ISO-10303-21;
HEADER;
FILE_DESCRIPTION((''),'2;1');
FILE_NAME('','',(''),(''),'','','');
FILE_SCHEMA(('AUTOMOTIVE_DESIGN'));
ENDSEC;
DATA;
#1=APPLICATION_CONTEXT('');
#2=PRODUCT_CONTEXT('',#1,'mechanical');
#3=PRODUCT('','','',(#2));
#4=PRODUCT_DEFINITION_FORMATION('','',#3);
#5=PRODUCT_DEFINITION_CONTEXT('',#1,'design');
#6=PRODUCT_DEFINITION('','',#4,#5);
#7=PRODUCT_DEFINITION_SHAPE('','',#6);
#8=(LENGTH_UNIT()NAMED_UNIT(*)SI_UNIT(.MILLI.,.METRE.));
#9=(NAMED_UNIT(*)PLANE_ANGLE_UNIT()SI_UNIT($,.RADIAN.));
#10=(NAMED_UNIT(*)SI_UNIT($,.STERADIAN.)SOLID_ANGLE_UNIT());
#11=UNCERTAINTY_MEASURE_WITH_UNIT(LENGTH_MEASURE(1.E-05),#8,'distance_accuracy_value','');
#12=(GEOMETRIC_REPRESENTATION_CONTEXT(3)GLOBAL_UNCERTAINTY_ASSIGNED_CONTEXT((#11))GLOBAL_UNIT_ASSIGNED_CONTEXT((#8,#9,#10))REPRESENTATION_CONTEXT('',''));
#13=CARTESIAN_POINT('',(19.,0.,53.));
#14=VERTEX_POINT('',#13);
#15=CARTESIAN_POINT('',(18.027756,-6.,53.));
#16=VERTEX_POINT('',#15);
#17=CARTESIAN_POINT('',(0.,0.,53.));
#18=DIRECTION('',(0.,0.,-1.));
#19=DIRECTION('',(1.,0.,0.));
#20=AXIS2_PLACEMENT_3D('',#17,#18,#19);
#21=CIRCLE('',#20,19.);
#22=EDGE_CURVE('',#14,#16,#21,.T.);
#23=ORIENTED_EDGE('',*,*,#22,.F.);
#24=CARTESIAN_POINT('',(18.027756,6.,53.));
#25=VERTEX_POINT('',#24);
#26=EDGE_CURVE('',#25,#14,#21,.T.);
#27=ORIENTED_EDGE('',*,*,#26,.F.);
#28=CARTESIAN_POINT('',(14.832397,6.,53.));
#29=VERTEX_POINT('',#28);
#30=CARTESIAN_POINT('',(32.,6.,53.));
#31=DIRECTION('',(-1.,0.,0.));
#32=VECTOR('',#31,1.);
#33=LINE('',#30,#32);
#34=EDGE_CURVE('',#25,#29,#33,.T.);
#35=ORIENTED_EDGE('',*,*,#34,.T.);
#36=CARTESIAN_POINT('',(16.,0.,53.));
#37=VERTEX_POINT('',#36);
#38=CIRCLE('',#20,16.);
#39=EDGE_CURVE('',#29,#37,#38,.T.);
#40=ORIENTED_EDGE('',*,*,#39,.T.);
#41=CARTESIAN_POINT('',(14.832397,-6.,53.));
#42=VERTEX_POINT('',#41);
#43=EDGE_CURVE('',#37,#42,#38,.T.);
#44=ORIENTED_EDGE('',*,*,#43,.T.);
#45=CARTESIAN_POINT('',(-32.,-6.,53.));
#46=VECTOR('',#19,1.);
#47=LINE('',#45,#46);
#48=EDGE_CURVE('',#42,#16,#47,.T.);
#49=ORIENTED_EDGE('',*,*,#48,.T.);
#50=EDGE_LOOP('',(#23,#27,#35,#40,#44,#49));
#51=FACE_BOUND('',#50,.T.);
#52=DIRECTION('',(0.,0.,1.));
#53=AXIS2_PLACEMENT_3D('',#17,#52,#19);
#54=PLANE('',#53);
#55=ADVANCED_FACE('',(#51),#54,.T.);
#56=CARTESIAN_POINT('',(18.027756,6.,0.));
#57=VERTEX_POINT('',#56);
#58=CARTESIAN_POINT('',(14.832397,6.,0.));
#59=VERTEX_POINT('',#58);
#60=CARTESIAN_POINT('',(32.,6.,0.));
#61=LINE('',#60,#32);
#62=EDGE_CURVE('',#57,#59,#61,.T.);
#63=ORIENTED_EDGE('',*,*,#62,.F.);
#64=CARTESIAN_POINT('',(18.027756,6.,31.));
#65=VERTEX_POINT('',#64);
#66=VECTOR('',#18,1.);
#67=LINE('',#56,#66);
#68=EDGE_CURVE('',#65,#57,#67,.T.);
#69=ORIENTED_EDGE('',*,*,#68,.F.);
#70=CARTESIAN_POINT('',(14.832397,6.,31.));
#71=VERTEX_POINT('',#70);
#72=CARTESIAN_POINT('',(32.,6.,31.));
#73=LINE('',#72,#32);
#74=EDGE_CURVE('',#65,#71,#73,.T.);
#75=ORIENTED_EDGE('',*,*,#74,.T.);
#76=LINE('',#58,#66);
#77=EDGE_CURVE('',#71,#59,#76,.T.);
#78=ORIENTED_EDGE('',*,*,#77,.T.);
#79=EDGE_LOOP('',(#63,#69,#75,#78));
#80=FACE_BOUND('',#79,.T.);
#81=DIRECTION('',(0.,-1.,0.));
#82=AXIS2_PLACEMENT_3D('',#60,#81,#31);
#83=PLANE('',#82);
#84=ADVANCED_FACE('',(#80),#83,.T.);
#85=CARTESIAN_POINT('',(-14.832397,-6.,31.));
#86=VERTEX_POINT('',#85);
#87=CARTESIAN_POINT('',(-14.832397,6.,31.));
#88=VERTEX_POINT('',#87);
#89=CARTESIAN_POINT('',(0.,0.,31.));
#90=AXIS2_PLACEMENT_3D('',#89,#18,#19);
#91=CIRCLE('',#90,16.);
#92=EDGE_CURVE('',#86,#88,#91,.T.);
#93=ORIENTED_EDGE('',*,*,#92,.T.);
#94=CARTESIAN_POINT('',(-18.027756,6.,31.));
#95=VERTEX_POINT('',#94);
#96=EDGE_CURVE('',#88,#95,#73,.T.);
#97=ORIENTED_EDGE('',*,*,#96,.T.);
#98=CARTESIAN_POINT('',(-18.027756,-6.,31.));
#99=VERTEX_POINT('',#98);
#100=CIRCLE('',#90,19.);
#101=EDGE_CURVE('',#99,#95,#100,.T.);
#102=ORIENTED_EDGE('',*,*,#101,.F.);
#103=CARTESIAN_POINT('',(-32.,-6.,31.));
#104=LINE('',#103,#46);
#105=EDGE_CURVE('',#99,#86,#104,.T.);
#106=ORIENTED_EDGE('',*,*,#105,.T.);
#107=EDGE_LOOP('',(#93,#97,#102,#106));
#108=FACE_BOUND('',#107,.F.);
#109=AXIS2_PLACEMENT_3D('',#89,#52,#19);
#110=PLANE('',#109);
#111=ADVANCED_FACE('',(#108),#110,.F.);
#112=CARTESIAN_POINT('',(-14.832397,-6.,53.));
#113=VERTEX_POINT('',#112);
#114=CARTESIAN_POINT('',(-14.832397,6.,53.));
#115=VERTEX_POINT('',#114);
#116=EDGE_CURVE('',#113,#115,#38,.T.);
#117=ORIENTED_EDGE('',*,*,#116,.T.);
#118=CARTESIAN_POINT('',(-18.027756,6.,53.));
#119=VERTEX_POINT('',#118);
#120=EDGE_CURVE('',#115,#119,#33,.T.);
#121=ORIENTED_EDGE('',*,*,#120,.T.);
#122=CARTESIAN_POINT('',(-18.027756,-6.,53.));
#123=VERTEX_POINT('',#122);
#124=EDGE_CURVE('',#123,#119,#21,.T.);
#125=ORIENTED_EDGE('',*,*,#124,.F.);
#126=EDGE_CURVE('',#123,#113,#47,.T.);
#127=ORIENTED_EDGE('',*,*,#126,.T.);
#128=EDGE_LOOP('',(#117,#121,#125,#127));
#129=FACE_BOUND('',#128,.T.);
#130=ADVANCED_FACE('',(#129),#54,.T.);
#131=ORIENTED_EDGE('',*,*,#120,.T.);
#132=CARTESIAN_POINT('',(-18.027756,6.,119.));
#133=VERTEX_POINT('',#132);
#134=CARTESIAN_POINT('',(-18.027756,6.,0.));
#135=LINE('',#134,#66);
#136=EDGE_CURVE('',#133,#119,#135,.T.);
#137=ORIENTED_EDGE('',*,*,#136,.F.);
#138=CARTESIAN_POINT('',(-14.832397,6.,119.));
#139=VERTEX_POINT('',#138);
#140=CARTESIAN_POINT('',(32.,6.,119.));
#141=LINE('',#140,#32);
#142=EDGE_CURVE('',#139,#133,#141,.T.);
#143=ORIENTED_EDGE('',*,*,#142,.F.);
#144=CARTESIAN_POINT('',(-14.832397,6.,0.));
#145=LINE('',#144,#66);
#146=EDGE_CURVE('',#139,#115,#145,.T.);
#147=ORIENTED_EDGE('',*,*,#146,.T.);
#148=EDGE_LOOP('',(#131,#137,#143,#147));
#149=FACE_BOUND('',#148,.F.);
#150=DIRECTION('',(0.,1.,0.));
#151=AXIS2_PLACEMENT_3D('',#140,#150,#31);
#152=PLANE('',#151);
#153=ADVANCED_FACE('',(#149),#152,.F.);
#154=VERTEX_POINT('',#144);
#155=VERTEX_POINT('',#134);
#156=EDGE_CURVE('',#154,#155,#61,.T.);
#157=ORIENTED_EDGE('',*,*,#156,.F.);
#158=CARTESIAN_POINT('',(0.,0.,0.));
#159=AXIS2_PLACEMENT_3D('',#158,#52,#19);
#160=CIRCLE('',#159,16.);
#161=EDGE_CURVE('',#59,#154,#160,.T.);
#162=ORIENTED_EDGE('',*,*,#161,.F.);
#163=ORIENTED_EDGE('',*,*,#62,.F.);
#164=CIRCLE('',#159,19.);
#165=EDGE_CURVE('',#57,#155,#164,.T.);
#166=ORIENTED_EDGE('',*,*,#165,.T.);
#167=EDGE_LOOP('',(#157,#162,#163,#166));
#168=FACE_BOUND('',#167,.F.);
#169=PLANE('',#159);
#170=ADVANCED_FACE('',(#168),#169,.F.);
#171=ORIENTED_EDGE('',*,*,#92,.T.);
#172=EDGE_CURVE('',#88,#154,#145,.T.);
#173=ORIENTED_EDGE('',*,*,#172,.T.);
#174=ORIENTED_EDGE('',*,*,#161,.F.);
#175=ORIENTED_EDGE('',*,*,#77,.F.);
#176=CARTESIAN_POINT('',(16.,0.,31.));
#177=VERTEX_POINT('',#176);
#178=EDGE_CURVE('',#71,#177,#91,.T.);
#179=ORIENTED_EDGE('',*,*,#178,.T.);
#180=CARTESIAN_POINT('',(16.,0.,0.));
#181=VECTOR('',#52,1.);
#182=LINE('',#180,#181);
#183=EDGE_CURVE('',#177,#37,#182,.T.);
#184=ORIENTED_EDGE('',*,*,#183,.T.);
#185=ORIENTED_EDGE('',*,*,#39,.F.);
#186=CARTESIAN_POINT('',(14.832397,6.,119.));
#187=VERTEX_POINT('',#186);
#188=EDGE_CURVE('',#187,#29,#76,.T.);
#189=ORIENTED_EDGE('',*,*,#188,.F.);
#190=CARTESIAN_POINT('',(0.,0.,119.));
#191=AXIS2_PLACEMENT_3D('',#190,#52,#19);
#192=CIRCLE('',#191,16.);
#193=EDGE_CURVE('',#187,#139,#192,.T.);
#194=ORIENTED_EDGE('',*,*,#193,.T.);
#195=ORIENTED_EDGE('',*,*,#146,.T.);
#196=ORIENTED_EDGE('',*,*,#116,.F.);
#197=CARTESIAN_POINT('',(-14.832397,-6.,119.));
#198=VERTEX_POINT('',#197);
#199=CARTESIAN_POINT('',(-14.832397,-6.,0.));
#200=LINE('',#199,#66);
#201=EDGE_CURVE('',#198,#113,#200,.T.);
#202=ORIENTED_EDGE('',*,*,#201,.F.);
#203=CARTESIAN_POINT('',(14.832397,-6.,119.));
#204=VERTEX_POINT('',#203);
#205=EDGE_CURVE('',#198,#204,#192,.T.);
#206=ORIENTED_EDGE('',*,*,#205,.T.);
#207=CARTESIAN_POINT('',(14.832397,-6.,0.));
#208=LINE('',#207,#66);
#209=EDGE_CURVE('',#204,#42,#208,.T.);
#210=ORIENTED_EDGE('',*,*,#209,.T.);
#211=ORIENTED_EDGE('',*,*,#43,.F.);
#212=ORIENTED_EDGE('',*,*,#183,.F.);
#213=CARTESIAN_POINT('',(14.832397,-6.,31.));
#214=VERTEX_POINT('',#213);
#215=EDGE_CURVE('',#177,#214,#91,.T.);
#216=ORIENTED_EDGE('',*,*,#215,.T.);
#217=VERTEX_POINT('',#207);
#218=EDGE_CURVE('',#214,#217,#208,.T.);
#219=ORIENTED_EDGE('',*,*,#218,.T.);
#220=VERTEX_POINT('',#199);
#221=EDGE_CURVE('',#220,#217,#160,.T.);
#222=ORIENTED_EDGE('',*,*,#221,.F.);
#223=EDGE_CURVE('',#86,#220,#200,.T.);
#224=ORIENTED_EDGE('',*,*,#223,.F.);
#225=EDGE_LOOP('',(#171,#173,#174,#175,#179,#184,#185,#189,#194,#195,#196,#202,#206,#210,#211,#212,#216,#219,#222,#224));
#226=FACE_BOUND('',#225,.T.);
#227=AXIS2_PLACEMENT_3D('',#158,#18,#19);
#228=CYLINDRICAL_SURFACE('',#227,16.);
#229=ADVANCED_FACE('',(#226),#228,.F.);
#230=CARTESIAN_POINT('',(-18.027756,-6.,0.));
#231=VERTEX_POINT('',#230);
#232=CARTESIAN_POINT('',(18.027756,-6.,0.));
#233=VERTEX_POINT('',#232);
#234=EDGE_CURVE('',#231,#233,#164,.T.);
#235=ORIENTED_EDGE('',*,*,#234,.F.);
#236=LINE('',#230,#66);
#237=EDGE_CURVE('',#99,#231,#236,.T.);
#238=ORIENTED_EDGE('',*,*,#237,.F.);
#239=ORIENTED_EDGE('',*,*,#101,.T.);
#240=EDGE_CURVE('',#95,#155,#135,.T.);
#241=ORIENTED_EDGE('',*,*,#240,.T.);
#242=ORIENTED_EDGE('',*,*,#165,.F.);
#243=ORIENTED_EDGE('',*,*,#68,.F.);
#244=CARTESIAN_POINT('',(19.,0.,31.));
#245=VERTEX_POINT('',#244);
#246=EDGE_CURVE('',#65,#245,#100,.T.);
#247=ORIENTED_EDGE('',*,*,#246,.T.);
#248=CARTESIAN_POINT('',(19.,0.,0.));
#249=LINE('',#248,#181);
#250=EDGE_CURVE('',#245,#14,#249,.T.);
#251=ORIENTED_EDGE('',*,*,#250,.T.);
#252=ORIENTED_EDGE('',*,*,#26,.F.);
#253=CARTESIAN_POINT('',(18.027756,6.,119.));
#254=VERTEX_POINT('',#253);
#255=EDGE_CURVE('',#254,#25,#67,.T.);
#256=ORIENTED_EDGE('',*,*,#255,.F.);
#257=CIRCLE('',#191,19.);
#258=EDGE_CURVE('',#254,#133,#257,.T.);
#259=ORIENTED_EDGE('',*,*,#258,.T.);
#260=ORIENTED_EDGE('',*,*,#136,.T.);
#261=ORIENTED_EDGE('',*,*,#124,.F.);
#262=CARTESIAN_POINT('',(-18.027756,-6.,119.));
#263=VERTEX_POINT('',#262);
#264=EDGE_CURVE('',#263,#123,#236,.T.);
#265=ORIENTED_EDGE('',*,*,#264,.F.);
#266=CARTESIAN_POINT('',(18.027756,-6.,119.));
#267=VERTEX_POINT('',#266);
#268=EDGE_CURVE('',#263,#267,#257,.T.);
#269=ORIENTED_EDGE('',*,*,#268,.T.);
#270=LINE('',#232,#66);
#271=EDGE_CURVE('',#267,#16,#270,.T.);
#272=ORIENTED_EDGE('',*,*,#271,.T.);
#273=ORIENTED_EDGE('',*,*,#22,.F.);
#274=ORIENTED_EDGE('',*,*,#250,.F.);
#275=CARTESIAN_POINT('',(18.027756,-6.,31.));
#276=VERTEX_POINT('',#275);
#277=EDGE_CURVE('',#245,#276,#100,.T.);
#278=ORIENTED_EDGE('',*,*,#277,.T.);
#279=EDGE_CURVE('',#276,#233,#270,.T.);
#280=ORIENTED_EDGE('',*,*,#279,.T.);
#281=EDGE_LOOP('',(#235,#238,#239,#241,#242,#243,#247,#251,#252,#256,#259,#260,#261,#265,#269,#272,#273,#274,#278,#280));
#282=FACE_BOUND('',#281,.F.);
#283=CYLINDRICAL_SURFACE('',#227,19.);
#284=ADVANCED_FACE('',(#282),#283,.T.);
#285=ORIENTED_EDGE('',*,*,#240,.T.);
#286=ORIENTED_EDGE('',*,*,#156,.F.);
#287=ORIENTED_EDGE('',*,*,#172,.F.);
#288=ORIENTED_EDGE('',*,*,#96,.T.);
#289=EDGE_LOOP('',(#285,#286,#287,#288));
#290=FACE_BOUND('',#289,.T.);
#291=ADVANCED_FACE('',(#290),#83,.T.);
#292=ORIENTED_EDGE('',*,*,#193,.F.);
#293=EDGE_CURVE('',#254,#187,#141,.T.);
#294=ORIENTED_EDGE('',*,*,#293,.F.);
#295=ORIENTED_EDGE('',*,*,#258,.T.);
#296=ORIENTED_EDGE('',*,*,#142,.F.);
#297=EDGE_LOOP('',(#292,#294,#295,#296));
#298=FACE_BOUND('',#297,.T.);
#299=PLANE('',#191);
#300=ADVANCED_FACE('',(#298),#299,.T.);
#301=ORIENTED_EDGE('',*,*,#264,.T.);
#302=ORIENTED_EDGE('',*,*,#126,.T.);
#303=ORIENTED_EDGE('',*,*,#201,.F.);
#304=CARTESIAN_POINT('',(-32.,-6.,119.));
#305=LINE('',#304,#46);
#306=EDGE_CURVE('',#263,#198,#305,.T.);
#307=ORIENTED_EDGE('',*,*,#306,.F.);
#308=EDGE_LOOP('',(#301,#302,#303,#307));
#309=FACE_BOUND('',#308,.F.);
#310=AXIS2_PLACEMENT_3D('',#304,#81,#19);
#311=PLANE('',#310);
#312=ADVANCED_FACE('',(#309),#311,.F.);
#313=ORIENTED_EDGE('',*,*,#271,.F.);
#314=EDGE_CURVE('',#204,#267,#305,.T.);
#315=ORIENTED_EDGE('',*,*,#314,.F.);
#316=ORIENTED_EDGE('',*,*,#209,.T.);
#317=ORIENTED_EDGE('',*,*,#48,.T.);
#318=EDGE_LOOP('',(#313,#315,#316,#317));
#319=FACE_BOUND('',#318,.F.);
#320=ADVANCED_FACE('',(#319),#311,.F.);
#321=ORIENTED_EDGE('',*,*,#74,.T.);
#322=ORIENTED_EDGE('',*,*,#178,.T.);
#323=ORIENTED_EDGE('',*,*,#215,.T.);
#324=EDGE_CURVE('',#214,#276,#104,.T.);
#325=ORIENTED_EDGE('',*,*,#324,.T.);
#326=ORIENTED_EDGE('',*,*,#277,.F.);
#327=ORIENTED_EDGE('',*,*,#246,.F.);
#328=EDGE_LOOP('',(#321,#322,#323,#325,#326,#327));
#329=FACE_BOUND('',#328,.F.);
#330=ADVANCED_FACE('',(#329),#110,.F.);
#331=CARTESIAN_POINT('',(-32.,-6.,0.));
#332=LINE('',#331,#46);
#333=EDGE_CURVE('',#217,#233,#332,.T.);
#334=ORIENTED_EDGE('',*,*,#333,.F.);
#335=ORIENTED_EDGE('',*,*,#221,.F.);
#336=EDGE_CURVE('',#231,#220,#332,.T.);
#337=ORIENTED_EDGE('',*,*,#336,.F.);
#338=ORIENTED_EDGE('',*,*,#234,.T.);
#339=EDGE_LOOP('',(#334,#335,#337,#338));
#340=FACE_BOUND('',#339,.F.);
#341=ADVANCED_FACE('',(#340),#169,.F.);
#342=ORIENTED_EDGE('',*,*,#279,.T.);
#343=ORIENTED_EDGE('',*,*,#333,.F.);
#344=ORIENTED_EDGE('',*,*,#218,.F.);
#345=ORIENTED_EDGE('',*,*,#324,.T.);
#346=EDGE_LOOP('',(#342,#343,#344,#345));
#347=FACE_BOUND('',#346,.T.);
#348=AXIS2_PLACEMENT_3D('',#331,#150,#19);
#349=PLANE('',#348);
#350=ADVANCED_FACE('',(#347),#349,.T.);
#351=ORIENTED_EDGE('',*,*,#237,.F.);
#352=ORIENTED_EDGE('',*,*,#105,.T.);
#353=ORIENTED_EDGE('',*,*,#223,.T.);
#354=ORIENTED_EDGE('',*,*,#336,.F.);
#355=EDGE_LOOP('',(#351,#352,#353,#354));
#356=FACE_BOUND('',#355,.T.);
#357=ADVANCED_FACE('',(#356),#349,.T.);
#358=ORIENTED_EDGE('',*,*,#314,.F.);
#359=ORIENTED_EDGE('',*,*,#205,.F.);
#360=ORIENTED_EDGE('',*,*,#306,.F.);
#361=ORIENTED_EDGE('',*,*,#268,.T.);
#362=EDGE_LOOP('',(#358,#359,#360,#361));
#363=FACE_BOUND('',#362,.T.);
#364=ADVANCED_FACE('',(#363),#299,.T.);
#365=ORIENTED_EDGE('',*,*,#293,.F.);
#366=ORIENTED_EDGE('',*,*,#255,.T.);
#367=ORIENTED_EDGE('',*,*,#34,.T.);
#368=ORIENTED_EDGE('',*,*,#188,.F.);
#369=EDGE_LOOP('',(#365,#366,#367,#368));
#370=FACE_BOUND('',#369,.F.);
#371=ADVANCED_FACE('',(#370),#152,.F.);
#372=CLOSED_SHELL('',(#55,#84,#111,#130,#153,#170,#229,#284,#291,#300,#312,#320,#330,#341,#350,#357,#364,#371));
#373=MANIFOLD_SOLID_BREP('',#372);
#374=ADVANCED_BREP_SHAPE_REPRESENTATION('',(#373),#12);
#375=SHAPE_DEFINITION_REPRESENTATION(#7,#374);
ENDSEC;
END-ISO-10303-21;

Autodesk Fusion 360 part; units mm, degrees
sketch "Sketch1" plane through (0, 0, 0) normal (0, 0, 1) x (1, 0, 0)
  circle A0 centre (0, 0) radius 19
  circle A1 centre (0, 0) radius 16
  dimension "d6" = 38
  dimension "d7" = 32
extrude "Extrude1" add sketch "Sketch1" along normal blind 119
sketch "Sketch2" plane through (0, 0, 0) normal (0, 0, 1) x (1, 0, 0)
  line L0 (32, 6) -> (-32, 6)
  line L1 (-32, 6) -> (-32, -6)
  line L2 (-32, -6) -> (32, -6)
  line L3 (32, -6) -> (32, 6)
  line L4 (32, 6) -> (-32, -6) construction
  line L5 (-32, 6) -> (32, -6) construction
  dimension "d10" = 64
  dimension "d11" = 12
extrude "Extrude2" cut sketch "Sketch2" along normal blind 31
ref_plane "WorkPlane1" through (0, 0, 119) normal (0, 0, 1) x (1, 0, 0)
sketch "Sketch3" plane through (0, 0, 119) normal (0, 0, 1) x (1, 0, 0)
  line L0 (32, 6) -> (-32, 6)
  line L1 (-32, 6) -> (-32, -6)
  line L2 (-32, -6) -> (32, -6)
  line L3 (32, -6) -> (32, 6)
  line L4 (32, 6) -> (-32, -6) construction
  line L5 (-32, 6) -> (32, -6) construction
  dimension "d15" = 64
  dimension "d16" = 12
extrude "Extrude3" cut sketch "Sketch3" against normal blind 66
equation "discDia = 32 mm"
equation "discHeight = 11 mm"
equation "gutterRim = 12 mm"
equation "gutterDepth = 31 mm"
equation "wall = 3 mm"
equation "d6 = discDia + wall * 2"
equation "d7 = discDia"
equation "d8 = gutterDepth + discAreaHeight"
equation "d10 = discDia * 2"
equation "d11 = gutterRim"
equation "d12 = gutterDepth"
equation "d14 = gutterDepth + discAreaHeight"
equation "d15 = discDia * 2"
equation "d16 = gutterRim"
equation "d17 = -discAreaHeight + 2 * discHeight"
equation "discAreaHeight = discHeight * 8"
